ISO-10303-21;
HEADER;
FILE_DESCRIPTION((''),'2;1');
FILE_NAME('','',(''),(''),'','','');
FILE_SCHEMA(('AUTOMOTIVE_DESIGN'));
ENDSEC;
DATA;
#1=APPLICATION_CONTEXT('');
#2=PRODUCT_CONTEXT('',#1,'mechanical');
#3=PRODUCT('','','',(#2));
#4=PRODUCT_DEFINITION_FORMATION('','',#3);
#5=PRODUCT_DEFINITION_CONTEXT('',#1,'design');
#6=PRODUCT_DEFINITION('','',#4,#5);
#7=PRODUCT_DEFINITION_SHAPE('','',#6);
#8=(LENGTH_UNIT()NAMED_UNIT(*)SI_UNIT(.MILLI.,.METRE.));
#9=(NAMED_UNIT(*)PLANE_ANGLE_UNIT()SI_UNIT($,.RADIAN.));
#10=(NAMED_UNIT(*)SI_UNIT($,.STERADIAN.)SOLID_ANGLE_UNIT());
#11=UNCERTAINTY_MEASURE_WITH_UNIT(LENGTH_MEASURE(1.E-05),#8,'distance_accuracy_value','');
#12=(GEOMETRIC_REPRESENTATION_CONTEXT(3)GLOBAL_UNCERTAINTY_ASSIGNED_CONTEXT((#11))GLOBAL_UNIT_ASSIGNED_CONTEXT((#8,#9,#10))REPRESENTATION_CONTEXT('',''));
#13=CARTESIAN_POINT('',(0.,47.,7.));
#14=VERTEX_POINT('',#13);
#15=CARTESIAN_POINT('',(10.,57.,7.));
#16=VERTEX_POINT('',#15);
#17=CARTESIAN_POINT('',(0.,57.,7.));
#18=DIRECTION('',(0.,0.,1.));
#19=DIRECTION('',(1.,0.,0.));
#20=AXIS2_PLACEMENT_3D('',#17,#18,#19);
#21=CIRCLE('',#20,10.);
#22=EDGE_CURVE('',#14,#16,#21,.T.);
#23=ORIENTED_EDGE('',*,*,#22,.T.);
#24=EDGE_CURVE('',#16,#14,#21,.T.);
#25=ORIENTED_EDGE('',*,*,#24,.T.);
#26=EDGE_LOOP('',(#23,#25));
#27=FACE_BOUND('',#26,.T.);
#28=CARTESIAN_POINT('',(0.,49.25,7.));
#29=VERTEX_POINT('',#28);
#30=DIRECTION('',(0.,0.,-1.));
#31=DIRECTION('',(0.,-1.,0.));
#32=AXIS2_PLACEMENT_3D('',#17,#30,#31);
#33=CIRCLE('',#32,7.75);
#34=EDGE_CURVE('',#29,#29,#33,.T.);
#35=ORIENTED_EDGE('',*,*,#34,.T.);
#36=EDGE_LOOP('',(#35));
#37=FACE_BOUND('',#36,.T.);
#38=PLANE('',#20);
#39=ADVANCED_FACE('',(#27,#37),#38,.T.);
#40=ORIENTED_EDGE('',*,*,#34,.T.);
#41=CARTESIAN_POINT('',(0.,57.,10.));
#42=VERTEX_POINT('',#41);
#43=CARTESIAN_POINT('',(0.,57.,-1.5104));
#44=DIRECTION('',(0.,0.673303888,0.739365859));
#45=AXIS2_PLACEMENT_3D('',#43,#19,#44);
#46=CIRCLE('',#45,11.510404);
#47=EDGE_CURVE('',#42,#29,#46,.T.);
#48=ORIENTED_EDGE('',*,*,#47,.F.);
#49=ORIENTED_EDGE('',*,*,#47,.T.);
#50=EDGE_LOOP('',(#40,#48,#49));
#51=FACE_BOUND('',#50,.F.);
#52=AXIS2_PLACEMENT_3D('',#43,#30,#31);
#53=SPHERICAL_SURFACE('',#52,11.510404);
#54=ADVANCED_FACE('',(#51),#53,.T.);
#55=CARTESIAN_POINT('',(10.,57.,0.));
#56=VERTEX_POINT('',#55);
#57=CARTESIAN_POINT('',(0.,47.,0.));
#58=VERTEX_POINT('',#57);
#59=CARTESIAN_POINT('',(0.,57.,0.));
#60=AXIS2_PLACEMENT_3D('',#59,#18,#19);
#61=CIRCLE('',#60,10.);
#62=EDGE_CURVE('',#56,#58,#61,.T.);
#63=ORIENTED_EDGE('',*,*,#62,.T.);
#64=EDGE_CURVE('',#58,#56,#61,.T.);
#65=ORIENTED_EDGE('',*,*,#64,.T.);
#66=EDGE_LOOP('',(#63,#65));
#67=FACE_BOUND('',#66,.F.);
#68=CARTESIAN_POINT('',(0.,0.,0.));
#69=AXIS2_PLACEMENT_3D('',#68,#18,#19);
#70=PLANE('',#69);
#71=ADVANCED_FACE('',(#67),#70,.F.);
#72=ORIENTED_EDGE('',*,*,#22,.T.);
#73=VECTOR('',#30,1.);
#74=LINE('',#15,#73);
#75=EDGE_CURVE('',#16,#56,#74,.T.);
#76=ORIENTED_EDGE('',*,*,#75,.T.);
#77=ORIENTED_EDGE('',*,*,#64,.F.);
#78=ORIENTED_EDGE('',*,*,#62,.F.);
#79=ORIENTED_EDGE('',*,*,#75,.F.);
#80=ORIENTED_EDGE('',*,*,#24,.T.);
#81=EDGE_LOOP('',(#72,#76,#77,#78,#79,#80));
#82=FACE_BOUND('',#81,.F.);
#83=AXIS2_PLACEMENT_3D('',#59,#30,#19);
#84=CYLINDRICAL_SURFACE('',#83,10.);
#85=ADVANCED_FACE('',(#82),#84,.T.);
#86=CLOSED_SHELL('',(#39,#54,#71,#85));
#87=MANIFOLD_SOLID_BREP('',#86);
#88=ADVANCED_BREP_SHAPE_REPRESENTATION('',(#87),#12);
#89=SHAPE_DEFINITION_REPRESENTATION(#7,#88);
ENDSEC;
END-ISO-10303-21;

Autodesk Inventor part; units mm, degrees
ref_plane "YZ Plane" through (0, 0, 0) normal (1, 0, 0) x (0, 1, 0)
ref_plane "XZ Plane" through (0, 0, 0) normal (0, 1, 0) x (-1, 0, 0)
ref_plane "XY Plane" through (0, 0, 0) normal (0, 0, 1) x (1, 0, 0)
sketch "Sketch1" plane through (0, 0, 0) normal (0, 0, 1) x (1, 0, 0)
  line L0 (14, 0) -> (-14, 0)
  line L1 (0, 0) -> (0, 47)
  line L2 (0, 47) -> (0, 57)
  circle A0 centre (0, 57) radius 10
  circle A1 centre (0, 57) radius 8.5
  dimension "d0" = 47
  dimension "d1" = 10
  dimension "d2" = 1.5
extrude "Extrusion1" add sketch "Sketch1" along normal blind 7
sketch "Sketch2" plane through (0, 57, 0) normal (0, 0, -1) x (-1, 0, 0)
  circle A0 centre (0, 0) radius 7.75
  point P0 (0, -57)
  dimension "d5" = 15.5
extrude "Extrusion2" add sketch "Sketch2" against normal up to surface (7 mm away)
sketch "Sketch3" plane through (0, 57, 0) normal (0, 0, -1) x (-1, 0, 0)
  circle A0 centre (0, 0) radius 7.75 projected
  circle A1 centre (0, 0) radius 10
  point P0 (0, -57)
extrude "Extrusion3" add sketch "Sketch3" against normal blind 4 contours A0 | A1
sketch "Sketch4" plane through (0, 0, 0) normal (1, 0, 0) x (0, 1, 0)
  line L0 (57, 0) -> (57, 7)
  line L1 (48.5, 7) -> (65.5, 7) projected
  line L2 (57, 7) -> (57, 10)
  line L3 (64.75, 4) -> (64.75, 7) projected
  line L4 (49.25, 4) -> (49.25, 7) projected
  arc A0 (64.75, 7) -> (49.25, 7) centre (57, -1.5104) ccw
  point P0 (0, 0)
  dimension "d10" = 3
revolve "Revolution1" add sketch "Sketch4" angle 360 about axis through (0, 57, 7) along (0, 0, 1) picked at (52.6027, 7.5441) contours A0 L2 L1
sketch "Sketch5" plane through (0, 57, 7) normal (0, 0, 1) x (1, 0, 0)
  circle A0 centre (0, 0) radius 7.75
  circle A1 centre (0, 0) radius 8.5
  point P0 (0, -57)
extrude "Extrusion4" add sketch "Sketch5" against normal up to surface (7 mm away)
properties part number "Button1"
